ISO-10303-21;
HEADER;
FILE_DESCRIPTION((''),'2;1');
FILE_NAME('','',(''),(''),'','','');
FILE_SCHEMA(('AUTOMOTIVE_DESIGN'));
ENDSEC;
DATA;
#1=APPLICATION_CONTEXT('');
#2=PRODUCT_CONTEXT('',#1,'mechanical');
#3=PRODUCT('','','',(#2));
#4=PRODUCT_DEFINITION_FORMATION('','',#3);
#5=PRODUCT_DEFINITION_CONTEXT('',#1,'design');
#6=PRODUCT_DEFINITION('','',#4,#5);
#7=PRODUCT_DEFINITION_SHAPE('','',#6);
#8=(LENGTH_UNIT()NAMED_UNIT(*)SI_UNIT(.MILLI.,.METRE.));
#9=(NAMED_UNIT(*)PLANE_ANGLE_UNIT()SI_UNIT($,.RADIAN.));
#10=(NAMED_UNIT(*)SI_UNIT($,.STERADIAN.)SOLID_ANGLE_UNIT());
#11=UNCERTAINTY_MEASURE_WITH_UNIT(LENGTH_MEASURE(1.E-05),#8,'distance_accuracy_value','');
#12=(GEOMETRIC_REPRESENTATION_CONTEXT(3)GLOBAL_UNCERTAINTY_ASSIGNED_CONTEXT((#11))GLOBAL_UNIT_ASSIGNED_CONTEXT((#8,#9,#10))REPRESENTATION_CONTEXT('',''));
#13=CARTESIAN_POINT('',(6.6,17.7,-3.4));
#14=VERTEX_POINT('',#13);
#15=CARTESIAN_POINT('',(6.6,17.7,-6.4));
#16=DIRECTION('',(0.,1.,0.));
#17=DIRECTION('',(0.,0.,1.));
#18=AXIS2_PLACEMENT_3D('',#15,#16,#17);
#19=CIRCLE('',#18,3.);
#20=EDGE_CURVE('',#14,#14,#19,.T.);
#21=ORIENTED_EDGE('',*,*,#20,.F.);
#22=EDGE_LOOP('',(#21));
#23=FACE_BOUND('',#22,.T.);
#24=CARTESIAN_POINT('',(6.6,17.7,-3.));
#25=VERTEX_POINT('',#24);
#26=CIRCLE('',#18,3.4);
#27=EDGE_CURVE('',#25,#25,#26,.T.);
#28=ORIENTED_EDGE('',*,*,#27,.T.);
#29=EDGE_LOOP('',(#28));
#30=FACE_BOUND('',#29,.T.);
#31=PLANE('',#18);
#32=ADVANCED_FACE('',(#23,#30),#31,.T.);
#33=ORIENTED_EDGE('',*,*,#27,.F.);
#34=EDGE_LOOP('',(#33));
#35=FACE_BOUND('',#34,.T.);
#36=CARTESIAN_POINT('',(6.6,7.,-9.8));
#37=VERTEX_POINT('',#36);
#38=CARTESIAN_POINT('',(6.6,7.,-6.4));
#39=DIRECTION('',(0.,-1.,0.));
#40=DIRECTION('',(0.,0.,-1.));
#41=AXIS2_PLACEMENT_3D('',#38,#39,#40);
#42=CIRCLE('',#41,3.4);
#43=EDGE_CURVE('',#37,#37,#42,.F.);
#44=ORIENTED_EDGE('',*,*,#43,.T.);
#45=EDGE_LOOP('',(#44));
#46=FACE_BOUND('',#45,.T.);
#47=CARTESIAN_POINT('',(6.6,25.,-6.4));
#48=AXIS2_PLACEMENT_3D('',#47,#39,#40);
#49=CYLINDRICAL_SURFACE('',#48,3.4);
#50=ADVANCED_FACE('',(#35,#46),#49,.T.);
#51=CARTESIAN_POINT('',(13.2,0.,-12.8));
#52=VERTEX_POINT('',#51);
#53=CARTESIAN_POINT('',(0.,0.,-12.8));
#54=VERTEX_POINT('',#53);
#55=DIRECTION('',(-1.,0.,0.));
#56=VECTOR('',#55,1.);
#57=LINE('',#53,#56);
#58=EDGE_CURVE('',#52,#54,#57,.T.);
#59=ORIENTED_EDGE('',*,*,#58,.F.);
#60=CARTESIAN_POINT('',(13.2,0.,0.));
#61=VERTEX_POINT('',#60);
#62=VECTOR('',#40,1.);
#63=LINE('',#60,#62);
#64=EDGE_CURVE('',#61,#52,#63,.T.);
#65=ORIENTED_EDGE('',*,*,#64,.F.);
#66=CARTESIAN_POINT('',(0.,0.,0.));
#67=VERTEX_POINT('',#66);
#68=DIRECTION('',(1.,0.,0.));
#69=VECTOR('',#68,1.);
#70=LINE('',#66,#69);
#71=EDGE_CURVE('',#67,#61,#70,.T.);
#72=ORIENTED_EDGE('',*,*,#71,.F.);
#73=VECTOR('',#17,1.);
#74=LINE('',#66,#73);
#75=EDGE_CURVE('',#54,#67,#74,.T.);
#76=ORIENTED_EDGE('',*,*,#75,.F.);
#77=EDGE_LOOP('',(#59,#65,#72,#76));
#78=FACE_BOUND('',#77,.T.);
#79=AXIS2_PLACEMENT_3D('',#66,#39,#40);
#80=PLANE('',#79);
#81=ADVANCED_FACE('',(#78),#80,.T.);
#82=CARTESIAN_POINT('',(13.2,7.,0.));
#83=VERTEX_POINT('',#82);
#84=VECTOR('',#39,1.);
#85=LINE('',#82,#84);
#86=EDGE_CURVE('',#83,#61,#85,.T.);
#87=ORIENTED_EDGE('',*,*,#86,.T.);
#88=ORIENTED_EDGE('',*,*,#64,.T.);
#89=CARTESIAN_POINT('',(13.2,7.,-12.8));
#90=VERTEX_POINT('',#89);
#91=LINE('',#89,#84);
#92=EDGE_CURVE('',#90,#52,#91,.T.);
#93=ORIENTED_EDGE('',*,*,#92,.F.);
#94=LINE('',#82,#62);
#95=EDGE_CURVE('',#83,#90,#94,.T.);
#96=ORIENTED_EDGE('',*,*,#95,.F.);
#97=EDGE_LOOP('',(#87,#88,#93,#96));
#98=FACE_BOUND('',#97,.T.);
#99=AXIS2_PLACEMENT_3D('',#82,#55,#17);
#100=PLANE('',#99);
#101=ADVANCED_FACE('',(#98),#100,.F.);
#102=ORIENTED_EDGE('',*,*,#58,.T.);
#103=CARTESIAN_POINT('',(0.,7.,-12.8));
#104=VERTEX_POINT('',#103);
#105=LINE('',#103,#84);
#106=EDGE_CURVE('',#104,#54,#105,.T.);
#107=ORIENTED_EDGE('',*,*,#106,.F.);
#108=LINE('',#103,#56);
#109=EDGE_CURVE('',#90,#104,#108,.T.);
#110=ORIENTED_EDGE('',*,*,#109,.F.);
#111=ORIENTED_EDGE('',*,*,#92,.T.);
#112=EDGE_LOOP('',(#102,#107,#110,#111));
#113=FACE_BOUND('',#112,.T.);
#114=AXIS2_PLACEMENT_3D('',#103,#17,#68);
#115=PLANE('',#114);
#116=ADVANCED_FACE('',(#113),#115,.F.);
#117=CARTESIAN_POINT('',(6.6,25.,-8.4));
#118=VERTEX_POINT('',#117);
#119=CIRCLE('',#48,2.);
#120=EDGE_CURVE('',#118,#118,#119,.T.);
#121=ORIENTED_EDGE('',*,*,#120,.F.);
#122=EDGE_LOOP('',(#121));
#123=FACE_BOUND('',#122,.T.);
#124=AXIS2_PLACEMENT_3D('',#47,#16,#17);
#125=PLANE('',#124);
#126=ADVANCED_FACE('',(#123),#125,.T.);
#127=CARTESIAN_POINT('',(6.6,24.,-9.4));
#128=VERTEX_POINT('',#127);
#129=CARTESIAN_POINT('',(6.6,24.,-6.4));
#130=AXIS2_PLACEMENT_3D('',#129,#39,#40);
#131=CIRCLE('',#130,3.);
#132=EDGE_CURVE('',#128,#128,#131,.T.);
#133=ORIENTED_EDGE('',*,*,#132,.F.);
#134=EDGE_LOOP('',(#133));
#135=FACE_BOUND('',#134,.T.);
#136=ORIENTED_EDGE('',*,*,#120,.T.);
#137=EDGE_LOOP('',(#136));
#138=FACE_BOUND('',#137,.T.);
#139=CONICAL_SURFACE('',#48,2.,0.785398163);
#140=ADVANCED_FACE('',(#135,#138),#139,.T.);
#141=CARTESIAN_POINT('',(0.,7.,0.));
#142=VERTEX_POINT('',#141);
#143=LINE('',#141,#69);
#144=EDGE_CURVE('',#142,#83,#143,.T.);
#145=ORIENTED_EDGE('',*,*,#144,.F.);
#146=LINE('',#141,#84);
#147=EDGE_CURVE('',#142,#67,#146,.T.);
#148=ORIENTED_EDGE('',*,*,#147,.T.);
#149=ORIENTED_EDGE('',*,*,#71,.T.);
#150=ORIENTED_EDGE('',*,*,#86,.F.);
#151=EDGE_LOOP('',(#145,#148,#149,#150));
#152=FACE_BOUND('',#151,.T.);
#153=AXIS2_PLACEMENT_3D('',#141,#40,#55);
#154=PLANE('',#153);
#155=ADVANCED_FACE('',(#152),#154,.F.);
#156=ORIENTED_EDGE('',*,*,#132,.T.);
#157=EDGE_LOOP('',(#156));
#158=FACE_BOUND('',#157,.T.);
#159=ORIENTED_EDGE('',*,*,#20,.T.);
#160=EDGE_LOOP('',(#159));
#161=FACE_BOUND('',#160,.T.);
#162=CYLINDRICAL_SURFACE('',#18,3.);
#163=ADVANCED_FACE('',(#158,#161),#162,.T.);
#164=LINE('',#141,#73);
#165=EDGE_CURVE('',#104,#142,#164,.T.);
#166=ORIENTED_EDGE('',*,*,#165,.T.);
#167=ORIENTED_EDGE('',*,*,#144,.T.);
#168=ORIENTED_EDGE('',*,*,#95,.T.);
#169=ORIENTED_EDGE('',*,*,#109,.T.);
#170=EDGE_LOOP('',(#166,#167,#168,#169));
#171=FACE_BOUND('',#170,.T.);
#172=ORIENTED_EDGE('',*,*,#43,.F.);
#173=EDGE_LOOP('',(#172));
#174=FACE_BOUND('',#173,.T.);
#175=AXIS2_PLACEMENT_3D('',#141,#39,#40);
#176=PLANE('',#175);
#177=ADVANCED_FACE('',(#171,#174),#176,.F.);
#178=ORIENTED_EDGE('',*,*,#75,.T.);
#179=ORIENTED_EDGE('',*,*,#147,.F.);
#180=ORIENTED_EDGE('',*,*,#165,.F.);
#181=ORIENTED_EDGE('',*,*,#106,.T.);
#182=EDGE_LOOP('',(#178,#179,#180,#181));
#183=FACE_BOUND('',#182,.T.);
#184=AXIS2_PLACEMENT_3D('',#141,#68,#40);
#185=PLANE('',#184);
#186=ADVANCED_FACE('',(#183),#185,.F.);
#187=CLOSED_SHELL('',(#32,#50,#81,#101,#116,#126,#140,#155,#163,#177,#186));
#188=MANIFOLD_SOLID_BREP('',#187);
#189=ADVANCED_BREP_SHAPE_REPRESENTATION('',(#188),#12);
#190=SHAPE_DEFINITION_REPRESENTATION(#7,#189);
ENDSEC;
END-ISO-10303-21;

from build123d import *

# Parameters (mm, degrees)
SKETCH1_W           = 13.2
SKETCH1_H           = 12.8
BOSS_EXTRUDE1_DEPTH = 7
SKETCH2_R           = 3.4
BOSS_EXTRUDE2_DEPTH = 18
CUT_EXTRUDE1_START  = -7.3
SKETCH3_R           = 3.4
SKETCH3_R_2         = 3
CUT_EXTRUDE1_DEPTH  = 7.3


with BuildPart() as part:
    # Sketch1 → Boss-Extrude1 (new body)
    with BuildSketch(Plane(origin=(0, 0, 0), x_dir=(1, 0, 0), z_dir=(0, 1, 0))):
        with Locations((6.6, 6.4)):
            Rectangle(SKETCH1_W, SKETCH1_H)
    extrude(amount=BOSS_EXTRUDE1_DEPTH)

    # Sketch2 → Boss-Extrude2 (add)
    with BuildSketch(Plane(origin=(0, 7, 0), x_dir=(1, 0, 0), z_dir=(0, 1, 0))):
        with Locations((6.6, 6.4)):
            Circle(SKETCH2_R)
    extrude(amount=BOSS_EXTRUDE2_DEPTH)

    # Sketch3 → Cut-Extrude1 (cut)
    with BuildSketch(Plane(origin=(0, 25, 0), x_dir=(1, 0, 0), z_dir=(0, 1, 0)).offset(CUT_EXTRUDE1_START)):
        with Locations((6.6, 6.4)):
            Circle(SKETCH3_R)
        with Locations((6.6, 6.4)):
            Circle(SKETCH3_R_2, mode=Mode.SUBTRACT)
    extrude(amount=CUT_EXTRUDE1_DEPTH, mode=Mode.SUBTRACT)

    # Sketch7 → Cut-Revolve2 (revolve, cut)
    with BuildSketch(Plane.XY.offset(-6.4)):
        Polygon((8.6, 25), (9.6, 24), (9.6, 25), align=None)
    revolve(axis=Axis((6.6, 25, -6.4), (0, 1, 0)), mode=Mode.SUBTRACT)


solid = part.part
